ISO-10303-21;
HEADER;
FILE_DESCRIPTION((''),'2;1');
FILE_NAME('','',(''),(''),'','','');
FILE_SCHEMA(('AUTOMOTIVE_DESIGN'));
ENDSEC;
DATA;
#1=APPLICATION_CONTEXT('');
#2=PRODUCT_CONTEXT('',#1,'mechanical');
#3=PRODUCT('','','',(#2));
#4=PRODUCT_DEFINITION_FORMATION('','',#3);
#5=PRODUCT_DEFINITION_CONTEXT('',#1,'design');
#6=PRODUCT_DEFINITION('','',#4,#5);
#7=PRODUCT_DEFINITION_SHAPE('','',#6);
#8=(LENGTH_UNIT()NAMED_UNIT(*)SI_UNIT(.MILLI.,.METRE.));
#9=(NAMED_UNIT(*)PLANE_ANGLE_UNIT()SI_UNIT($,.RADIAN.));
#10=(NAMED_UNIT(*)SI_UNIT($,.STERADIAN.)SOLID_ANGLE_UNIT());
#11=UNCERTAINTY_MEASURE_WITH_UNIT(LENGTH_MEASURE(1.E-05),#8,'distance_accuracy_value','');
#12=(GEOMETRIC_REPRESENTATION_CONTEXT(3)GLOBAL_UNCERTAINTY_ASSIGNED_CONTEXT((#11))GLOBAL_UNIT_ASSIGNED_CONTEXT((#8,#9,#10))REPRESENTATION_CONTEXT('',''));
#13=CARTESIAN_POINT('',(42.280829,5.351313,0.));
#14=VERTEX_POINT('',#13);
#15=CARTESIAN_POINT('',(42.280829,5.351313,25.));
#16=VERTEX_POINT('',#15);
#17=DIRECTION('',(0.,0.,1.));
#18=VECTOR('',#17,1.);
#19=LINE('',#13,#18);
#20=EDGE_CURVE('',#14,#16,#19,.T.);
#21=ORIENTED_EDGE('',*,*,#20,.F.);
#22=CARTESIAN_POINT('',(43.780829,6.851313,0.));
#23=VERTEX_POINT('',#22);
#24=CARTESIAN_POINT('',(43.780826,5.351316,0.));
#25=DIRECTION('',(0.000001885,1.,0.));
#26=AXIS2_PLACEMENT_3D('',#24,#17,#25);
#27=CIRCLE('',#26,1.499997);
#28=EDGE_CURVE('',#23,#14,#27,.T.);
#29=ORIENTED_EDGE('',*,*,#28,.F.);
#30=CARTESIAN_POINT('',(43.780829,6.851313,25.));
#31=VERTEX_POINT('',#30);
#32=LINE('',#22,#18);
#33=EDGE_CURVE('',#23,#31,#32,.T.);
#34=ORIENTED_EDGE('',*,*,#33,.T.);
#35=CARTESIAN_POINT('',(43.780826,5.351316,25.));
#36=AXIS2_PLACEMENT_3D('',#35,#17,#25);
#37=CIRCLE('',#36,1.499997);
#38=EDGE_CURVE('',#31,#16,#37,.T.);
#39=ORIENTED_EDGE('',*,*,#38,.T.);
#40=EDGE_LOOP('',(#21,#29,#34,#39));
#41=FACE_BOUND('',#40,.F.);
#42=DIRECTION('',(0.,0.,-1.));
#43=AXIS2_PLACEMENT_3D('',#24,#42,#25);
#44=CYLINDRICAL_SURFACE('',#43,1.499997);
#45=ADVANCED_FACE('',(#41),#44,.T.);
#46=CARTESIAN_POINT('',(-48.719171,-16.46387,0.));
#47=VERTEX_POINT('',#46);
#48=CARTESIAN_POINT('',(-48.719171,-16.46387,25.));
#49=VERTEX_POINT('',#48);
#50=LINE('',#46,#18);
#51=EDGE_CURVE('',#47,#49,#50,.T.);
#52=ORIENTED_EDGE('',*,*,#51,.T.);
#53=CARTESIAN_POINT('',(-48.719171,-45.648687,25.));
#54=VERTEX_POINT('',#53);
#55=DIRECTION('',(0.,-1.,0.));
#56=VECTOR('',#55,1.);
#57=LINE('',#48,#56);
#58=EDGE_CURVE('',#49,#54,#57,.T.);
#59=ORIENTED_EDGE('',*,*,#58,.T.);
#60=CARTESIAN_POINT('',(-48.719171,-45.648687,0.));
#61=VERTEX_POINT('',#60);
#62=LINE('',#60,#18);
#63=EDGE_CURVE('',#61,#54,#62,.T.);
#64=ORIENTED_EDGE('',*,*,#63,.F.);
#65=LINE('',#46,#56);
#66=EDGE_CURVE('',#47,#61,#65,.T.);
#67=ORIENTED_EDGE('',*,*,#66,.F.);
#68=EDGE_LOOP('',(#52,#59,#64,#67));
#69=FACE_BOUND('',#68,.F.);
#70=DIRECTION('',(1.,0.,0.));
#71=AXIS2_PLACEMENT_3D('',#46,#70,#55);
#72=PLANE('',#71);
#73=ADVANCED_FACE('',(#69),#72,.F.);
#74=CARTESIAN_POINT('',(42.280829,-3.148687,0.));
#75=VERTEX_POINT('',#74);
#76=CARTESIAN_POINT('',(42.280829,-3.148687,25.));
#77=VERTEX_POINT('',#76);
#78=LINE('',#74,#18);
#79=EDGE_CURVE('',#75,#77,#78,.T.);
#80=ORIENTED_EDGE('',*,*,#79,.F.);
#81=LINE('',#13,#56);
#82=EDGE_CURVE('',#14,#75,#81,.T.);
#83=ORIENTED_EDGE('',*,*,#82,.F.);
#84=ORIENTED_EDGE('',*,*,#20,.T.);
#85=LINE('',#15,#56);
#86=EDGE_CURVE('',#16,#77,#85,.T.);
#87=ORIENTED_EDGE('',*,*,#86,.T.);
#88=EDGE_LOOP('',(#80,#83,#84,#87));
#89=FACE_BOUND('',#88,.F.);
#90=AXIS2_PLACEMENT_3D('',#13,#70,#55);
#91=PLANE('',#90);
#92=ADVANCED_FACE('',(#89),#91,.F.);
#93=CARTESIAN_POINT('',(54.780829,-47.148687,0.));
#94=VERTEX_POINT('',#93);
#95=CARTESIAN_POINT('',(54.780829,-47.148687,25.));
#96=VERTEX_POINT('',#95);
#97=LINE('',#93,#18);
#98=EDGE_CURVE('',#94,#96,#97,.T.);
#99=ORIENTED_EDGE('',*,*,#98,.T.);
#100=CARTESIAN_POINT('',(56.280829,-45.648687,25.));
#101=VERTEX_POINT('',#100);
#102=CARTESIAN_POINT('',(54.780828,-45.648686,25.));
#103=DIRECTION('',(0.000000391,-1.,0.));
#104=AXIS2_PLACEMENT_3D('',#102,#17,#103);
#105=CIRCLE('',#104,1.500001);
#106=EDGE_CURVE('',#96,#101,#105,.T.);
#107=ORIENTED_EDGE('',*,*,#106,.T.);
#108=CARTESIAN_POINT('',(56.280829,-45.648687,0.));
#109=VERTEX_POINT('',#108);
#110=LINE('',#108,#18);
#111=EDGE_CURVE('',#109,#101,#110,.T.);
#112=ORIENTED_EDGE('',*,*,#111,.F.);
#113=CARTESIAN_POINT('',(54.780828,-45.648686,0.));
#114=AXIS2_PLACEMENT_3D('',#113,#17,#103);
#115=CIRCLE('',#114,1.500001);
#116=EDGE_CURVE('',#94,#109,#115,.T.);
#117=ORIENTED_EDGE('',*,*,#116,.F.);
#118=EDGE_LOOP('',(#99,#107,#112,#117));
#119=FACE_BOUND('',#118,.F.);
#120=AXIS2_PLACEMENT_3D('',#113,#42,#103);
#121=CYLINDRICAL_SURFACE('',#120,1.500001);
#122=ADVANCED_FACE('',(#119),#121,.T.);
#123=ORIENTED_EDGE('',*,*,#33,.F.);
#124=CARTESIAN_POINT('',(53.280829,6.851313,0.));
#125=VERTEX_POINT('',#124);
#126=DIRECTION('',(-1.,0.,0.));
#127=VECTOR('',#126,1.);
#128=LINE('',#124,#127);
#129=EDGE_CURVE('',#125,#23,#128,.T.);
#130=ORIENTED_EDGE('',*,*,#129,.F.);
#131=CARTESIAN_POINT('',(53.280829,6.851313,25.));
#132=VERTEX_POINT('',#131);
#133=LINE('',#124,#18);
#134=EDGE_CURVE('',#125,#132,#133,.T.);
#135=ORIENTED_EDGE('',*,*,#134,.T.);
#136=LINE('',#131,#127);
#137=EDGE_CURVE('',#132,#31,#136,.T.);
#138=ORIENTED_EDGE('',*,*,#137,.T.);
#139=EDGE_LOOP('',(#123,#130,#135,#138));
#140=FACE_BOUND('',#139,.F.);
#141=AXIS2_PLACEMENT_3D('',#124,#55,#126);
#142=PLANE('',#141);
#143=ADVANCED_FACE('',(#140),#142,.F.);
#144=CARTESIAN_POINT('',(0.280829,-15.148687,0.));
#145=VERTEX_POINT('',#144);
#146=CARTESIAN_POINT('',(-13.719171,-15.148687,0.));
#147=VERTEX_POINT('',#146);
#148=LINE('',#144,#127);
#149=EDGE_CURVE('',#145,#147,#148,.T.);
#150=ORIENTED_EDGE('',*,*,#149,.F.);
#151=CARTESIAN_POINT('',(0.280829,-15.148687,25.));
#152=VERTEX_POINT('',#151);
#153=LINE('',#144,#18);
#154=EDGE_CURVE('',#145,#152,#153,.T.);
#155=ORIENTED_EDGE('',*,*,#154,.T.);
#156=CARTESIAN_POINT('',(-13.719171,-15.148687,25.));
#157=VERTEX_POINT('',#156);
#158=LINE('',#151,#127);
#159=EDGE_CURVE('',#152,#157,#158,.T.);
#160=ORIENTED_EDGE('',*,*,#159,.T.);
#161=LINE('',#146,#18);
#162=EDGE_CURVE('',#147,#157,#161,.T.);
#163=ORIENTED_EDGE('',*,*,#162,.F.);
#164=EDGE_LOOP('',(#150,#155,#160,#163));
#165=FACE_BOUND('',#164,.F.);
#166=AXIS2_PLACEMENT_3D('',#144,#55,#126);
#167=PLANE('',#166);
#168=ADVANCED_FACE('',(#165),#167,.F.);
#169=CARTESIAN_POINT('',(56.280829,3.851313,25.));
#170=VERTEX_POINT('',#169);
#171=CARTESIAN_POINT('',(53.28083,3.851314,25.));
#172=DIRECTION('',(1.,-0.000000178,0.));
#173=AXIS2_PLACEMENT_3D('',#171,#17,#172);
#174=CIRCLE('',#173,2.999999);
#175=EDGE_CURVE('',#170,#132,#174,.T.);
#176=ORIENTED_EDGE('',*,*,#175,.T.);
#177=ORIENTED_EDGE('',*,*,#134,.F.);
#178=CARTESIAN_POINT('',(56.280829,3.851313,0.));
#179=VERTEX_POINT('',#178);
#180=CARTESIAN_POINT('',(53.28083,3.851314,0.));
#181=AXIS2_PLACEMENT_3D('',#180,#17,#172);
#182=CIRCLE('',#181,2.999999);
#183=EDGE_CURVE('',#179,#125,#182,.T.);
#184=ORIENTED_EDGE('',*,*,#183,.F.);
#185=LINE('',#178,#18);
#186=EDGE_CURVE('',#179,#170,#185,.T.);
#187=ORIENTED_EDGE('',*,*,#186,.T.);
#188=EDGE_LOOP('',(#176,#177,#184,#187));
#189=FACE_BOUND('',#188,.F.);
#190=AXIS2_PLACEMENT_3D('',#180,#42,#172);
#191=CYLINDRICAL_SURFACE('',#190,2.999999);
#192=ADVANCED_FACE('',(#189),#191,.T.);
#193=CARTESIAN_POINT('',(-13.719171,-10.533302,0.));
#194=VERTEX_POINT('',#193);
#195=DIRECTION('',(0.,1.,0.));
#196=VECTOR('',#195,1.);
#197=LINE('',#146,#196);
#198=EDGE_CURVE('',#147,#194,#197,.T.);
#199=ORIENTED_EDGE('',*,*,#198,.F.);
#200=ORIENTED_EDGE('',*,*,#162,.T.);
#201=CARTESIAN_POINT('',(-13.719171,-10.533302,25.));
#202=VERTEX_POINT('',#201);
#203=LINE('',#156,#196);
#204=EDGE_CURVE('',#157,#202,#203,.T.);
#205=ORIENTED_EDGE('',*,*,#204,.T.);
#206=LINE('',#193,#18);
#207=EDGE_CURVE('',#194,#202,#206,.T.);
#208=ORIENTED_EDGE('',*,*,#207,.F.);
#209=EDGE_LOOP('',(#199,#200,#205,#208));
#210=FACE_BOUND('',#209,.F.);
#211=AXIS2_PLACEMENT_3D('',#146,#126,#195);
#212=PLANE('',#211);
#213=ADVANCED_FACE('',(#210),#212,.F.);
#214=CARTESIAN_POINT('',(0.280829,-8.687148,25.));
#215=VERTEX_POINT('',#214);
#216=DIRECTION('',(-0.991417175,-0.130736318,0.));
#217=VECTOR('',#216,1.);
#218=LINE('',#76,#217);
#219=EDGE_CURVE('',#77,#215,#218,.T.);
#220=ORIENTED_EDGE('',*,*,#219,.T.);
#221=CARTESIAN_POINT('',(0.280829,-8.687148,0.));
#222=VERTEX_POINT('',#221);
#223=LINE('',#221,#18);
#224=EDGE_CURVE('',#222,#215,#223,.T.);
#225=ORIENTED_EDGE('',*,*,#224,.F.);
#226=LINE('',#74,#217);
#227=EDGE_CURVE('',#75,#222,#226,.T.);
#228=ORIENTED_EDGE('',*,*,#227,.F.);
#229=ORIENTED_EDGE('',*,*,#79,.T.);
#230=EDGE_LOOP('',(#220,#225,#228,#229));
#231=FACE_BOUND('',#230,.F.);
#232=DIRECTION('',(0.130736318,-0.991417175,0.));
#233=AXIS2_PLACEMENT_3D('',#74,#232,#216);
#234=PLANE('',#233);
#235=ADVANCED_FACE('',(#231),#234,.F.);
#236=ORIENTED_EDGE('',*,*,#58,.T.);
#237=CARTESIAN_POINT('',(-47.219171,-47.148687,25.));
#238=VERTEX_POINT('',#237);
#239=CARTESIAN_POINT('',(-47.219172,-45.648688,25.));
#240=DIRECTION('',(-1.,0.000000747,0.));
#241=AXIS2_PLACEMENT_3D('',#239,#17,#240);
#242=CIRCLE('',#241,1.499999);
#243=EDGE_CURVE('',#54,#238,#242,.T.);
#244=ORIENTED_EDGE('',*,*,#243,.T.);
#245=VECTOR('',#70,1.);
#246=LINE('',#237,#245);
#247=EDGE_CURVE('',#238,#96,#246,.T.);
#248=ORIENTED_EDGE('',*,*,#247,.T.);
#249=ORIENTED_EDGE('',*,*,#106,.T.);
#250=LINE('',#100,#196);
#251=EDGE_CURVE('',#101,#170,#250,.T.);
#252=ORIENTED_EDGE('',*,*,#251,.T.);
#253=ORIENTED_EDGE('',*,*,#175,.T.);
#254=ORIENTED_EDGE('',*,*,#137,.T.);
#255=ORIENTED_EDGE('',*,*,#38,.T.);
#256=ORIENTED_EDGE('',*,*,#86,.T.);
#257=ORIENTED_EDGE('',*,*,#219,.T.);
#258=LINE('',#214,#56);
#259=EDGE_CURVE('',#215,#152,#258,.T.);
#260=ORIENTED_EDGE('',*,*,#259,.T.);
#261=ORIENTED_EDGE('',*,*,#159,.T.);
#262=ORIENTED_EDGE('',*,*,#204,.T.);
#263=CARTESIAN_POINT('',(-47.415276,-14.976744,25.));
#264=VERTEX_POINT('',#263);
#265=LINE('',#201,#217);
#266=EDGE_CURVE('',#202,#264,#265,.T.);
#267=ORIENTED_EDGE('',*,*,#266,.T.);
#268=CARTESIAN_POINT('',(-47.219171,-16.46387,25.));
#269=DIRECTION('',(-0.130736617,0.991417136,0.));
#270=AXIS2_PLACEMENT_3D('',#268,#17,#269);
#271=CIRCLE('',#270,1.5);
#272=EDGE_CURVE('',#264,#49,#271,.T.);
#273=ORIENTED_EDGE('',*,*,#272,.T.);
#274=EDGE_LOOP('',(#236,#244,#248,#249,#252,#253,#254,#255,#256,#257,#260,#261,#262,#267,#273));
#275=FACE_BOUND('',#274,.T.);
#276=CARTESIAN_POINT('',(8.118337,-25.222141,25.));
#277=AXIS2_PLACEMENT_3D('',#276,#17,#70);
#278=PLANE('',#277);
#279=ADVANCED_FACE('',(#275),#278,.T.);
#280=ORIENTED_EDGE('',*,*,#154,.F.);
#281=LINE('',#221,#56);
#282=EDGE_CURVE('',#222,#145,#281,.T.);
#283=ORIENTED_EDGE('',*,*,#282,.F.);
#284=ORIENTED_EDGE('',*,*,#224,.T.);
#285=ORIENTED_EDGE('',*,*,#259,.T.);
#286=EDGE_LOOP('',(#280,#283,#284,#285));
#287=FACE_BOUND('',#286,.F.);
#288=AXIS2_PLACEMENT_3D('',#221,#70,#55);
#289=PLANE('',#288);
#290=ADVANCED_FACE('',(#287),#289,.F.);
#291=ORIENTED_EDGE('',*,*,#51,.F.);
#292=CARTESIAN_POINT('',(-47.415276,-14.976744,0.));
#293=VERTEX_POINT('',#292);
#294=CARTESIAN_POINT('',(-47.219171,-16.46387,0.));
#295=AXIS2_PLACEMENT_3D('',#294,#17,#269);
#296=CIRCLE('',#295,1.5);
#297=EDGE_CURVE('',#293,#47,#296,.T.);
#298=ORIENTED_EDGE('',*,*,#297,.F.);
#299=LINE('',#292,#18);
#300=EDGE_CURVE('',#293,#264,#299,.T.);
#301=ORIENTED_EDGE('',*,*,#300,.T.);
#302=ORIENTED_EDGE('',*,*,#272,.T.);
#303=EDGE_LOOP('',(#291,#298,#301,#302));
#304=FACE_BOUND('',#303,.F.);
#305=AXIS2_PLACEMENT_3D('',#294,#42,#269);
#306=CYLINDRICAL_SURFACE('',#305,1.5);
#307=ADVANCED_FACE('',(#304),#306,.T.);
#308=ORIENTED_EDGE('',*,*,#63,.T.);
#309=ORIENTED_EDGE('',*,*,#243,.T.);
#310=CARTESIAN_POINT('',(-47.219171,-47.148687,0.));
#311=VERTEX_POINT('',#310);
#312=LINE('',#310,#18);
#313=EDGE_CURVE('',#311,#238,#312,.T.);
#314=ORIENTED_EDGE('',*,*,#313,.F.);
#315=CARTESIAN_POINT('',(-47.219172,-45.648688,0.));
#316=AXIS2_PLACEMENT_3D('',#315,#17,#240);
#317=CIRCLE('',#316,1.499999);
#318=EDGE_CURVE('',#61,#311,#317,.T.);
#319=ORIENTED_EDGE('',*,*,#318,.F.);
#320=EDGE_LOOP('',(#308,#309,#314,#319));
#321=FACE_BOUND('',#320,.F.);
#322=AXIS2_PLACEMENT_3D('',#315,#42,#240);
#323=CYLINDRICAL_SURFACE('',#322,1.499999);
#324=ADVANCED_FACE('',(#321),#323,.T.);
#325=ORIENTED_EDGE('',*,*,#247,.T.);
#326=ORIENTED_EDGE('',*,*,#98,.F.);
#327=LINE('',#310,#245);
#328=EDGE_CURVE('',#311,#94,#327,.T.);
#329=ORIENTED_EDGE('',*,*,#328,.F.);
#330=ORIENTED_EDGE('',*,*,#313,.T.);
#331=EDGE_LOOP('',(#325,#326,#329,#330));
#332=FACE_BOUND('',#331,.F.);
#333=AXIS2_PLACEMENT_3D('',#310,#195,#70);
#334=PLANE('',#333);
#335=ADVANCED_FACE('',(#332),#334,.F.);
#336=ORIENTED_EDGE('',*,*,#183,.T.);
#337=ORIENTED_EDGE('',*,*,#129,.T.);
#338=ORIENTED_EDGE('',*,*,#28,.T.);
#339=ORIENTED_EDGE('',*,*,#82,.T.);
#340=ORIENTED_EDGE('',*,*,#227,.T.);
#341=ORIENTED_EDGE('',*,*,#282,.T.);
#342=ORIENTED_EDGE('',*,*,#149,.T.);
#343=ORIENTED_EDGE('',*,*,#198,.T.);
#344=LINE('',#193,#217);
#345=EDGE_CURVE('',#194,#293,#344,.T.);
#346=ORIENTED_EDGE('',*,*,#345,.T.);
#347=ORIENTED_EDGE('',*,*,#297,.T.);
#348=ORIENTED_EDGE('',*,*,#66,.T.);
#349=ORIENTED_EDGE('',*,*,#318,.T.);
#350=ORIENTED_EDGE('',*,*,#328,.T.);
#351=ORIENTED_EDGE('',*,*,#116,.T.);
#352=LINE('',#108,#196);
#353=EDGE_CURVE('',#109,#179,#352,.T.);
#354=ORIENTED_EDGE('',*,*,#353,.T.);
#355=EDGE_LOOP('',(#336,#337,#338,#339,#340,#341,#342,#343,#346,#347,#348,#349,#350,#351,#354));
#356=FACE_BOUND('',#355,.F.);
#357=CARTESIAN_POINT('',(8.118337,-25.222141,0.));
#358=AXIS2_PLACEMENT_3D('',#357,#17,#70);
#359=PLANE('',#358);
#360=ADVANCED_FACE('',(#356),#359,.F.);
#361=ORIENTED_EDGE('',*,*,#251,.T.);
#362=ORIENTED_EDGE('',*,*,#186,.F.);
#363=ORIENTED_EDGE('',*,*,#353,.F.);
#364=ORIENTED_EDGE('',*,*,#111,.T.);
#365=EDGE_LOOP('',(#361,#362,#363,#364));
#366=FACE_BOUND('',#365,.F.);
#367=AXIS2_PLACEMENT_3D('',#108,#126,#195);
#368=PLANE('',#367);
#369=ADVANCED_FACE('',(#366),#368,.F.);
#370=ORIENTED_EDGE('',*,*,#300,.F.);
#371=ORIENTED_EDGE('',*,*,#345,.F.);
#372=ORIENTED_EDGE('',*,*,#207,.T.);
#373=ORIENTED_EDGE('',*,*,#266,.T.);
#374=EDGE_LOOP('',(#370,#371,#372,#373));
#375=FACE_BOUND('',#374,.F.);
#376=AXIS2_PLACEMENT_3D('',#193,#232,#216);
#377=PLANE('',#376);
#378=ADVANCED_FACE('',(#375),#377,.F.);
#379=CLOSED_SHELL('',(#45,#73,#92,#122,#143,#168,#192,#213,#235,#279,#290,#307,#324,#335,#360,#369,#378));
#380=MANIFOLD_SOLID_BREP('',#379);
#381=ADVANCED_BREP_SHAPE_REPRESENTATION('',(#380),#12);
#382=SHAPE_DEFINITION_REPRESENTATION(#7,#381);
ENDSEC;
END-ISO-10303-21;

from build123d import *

# Parameters (mm, degrees)
F1_DEPTH = 25


with BuildPart() as f1:
    # F0 (on Top) → F1 (new body)
    with BuildSketch(Plane.XY):
        with BuildLine():
            ThreePointArc((-48.719171, -45.648687), (-48.279832, -46.709347), (-47.219171, -47.148687))
            Line((-47.219171, -47.148687), (54.780829, -47.148687))
            ThreePointArc((54.780829, -47.148687), (55.841489, -46.709347), (56.280829, -45.648687))
            Line((56.280829, -45.648687), (56.280829, 3.851313))
            ThreePointArc((56.280829, 3.851313), (55.402149, 5.972634), (53.280829, 6.851313))
            Line((53.280829, 6.851313), (43.780829, 6.851313))
            ThreePointArc((43.780829, 6.851313), (42.720168, 6.411974), (42.280829, 5.351313))
            Line((42.280829, 5.351313), (42.280829, -3.148687))
            Line((42.280829, -3.148687), (0.280829, -8.687148))
            Line((0.280829, -8.687148), (0.280829, -15.148687))
            Line((0.280829, -15.148687), (-13.719171, -15.148687))
            Line((-13.719171, -15.148687), (-13.719171, -10.533302))
            Line((-13.719171, -10.533302), (-47.415276, -14.976744))
            ThreePointArc((-47.415276, -14.976744), (-48.347036, -15.474971), (-48.719171, -16.46387))
            Line((-48.719171, -16.46387), (-48.719171, -45.648687))
        make_face()
    extrude(amount=F1_DEPTH)


solid = f1.part
